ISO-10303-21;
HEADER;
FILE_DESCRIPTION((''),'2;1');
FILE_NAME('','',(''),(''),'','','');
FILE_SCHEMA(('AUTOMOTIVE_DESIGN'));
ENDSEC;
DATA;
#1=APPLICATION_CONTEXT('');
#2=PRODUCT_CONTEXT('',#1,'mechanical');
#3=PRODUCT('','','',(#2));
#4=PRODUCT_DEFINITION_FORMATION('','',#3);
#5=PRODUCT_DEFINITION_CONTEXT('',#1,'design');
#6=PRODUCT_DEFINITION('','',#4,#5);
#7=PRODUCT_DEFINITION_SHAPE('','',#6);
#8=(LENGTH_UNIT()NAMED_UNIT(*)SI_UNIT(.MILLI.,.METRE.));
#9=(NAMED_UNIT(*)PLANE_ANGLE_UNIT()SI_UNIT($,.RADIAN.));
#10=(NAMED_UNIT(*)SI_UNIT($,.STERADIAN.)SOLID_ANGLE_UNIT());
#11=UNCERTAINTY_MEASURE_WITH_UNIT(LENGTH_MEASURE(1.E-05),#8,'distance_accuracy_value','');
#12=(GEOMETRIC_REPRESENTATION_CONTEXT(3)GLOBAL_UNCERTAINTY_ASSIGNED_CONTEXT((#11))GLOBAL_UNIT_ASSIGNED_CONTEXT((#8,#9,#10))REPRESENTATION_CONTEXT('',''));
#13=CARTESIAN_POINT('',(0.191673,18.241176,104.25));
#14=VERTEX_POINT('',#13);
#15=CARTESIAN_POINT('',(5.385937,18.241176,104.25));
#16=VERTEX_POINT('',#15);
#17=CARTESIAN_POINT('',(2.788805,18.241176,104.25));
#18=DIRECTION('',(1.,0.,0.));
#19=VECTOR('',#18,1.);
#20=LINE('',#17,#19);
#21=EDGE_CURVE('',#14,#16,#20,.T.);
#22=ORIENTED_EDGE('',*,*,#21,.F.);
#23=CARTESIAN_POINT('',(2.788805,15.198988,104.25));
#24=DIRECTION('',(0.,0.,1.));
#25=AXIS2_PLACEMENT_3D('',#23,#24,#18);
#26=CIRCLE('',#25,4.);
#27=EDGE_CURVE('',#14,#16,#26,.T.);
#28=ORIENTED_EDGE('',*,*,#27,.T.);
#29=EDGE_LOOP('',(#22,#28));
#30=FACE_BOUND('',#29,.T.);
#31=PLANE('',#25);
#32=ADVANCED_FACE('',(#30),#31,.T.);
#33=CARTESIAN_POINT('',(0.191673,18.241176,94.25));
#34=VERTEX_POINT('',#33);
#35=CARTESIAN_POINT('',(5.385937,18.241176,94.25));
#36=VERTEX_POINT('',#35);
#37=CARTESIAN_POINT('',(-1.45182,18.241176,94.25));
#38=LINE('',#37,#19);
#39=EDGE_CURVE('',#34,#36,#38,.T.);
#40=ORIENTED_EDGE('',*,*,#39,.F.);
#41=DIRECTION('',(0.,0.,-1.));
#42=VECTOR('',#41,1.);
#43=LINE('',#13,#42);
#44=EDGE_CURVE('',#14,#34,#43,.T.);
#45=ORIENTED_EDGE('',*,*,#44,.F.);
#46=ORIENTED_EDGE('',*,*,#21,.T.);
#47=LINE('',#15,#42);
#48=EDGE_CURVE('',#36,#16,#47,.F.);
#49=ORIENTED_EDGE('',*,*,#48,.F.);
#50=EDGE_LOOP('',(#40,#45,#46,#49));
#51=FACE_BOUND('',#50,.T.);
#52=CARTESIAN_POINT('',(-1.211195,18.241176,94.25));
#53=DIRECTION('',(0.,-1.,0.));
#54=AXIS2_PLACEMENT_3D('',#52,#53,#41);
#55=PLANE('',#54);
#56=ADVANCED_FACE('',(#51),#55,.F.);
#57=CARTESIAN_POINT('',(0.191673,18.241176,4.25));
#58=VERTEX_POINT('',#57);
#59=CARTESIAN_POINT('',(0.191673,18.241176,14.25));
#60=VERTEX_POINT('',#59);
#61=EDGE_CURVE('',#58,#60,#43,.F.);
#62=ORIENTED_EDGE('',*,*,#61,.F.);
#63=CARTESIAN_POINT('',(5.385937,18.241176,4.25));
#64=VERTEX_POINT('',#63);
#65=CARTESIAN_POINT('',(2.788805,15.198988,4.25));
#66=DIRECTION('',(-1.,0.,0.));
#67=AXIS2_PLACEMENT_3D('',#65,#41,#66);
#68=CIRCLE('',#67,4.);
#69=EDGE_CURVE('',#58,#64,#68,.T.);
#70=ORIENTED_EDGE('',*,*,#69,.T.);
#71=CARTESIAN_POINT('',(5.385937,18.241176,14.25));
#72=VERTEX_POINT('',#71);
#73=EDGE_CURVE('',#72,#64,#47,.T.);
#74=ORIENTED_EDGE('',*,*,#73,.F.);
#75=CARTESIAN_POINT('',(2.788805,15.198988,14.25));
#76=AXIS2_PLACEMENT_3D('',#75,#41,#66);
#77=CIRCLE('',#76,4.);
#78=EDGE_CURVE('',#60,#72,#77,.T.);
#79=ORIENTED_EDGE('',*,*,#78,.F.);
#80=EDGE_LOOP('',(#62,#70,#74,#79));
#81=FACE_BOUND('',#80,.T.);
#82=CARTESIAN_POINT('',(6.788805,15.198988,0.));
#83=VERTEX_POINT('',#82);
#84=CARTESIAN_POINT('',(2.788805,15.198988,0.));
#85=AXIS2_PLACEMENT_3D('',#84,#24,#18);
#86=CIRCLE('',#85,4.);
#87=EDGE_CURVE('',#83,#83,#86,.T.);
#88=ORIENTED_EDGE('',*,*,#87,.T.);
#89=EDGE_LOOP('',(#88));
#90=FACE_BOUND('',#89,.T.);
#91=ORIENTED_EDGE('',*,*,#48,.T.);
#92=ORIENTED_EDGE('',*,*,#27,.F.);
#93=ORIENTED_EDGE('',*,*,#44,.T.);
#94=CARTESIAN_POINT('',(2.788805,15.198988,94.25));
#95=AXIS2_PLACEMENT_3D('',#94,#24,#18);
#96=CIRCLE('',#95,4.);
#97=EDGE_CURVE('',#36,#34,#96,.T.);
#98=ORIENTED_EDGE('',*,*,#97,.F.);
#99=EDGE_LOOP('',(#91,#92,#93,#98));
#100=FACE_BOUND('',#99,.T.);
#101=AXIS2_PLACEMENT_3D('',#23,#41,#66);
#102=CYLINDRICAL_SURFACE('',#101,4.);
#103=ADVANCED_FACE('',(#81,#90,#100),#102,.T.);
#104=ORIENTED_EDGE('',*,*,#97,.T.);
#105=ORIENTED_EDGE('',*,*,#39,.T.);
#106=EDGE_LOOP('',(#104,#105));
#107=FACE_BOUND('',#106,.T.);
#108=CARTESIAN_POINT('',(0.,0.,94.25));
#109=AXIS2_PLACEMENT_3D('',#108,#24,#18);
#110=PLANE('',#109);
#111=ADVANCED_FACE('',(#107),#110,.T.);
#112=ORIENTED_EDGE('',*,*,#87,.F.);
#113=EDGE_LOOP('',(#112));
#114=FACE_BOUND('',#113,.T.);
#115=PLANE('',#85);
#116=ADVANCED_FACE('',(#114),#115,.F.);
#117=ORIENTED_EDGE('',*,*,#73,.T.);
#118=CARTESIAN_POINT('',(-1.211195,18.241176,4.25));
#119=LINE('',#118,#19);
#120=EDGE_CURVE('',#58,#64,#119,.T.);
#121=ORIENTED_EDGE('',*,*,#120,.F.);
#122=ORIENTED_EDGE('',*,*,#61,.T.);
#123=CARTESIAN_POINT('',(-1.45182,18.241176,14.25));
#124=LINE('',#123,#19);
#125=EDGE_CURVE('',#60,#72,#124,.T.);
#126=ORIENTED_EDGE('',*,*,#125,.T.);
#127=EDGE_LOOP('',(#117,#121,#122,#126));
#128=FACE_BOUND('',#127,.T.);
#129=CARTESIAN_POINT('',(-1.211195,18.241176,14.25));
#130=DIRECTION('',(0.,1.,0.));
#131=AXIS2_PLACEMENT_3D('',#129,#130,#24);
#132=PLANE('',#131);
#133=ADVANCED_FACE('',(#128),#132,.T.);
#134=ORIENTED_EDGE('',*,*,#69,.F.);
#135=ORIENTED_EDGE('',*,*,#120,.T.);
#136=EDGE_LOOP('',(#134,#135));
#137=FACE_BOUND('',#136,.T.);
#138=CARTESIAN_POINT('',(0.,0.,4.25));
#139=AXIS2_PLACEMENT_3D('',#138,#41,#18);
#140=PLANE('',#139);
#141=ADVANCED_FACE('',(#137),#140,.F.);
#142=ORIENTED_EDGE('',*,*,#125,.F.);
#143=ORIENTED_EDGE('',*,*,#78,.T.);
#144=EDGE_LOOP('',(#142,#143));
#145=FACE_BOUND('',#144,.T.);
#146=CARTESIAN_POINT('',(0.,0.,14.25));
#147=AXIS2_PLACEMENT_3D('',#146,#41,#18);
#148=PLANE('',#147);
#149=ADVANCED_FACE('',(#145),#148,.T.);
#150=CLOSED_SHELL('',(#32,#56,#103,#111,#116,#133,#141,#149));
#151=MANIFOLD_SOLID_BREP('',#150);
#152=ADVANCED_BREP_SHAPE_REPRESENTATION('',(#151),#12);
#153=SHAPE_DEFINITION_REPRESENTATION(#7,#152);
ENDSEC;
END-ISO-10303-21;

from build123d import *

# Parameters (mm, degrees)
SKETCH_1_R          = 4
EXTRUDE_1_DEPTH     = 104.25
CUT_EXTRUDE_1_DEPTH = 10


with BuildPart() as part:
    # 草图1 → 凸台-拉伸1 (new body)
    with BuildSketch(Plane.XY):
        with Locations((2.788805167, 15.198988159)):
            Circle(SKETCH_1_R)
    extrude(amount=EXTRUDE_1_DEPTH)

    # 草图2 → 切除-拉伸1 (cut)
    with BuildSketch(Plane.XY.offset(104.25)):
        Polygon((-1.211194833, 18.241175928), (6.788805167, 18.241175928), (6.788805167, 20.490551127), (-1.353486866, 20.490551127), (-1.451820208, 18.241175928), align=None)
    cut_extrude_1 = extrude(amount=-CUT_EXTRUDE_1_DEPTH, mode=Mode.SUBTRACT)

    # 镜向1: 切除-拉伸1 across plane
    add(cut_extrude_1.mirror(Plane.XY.offset(54.25)), mode=Mode.SUBTRACT)


solid = part.part
